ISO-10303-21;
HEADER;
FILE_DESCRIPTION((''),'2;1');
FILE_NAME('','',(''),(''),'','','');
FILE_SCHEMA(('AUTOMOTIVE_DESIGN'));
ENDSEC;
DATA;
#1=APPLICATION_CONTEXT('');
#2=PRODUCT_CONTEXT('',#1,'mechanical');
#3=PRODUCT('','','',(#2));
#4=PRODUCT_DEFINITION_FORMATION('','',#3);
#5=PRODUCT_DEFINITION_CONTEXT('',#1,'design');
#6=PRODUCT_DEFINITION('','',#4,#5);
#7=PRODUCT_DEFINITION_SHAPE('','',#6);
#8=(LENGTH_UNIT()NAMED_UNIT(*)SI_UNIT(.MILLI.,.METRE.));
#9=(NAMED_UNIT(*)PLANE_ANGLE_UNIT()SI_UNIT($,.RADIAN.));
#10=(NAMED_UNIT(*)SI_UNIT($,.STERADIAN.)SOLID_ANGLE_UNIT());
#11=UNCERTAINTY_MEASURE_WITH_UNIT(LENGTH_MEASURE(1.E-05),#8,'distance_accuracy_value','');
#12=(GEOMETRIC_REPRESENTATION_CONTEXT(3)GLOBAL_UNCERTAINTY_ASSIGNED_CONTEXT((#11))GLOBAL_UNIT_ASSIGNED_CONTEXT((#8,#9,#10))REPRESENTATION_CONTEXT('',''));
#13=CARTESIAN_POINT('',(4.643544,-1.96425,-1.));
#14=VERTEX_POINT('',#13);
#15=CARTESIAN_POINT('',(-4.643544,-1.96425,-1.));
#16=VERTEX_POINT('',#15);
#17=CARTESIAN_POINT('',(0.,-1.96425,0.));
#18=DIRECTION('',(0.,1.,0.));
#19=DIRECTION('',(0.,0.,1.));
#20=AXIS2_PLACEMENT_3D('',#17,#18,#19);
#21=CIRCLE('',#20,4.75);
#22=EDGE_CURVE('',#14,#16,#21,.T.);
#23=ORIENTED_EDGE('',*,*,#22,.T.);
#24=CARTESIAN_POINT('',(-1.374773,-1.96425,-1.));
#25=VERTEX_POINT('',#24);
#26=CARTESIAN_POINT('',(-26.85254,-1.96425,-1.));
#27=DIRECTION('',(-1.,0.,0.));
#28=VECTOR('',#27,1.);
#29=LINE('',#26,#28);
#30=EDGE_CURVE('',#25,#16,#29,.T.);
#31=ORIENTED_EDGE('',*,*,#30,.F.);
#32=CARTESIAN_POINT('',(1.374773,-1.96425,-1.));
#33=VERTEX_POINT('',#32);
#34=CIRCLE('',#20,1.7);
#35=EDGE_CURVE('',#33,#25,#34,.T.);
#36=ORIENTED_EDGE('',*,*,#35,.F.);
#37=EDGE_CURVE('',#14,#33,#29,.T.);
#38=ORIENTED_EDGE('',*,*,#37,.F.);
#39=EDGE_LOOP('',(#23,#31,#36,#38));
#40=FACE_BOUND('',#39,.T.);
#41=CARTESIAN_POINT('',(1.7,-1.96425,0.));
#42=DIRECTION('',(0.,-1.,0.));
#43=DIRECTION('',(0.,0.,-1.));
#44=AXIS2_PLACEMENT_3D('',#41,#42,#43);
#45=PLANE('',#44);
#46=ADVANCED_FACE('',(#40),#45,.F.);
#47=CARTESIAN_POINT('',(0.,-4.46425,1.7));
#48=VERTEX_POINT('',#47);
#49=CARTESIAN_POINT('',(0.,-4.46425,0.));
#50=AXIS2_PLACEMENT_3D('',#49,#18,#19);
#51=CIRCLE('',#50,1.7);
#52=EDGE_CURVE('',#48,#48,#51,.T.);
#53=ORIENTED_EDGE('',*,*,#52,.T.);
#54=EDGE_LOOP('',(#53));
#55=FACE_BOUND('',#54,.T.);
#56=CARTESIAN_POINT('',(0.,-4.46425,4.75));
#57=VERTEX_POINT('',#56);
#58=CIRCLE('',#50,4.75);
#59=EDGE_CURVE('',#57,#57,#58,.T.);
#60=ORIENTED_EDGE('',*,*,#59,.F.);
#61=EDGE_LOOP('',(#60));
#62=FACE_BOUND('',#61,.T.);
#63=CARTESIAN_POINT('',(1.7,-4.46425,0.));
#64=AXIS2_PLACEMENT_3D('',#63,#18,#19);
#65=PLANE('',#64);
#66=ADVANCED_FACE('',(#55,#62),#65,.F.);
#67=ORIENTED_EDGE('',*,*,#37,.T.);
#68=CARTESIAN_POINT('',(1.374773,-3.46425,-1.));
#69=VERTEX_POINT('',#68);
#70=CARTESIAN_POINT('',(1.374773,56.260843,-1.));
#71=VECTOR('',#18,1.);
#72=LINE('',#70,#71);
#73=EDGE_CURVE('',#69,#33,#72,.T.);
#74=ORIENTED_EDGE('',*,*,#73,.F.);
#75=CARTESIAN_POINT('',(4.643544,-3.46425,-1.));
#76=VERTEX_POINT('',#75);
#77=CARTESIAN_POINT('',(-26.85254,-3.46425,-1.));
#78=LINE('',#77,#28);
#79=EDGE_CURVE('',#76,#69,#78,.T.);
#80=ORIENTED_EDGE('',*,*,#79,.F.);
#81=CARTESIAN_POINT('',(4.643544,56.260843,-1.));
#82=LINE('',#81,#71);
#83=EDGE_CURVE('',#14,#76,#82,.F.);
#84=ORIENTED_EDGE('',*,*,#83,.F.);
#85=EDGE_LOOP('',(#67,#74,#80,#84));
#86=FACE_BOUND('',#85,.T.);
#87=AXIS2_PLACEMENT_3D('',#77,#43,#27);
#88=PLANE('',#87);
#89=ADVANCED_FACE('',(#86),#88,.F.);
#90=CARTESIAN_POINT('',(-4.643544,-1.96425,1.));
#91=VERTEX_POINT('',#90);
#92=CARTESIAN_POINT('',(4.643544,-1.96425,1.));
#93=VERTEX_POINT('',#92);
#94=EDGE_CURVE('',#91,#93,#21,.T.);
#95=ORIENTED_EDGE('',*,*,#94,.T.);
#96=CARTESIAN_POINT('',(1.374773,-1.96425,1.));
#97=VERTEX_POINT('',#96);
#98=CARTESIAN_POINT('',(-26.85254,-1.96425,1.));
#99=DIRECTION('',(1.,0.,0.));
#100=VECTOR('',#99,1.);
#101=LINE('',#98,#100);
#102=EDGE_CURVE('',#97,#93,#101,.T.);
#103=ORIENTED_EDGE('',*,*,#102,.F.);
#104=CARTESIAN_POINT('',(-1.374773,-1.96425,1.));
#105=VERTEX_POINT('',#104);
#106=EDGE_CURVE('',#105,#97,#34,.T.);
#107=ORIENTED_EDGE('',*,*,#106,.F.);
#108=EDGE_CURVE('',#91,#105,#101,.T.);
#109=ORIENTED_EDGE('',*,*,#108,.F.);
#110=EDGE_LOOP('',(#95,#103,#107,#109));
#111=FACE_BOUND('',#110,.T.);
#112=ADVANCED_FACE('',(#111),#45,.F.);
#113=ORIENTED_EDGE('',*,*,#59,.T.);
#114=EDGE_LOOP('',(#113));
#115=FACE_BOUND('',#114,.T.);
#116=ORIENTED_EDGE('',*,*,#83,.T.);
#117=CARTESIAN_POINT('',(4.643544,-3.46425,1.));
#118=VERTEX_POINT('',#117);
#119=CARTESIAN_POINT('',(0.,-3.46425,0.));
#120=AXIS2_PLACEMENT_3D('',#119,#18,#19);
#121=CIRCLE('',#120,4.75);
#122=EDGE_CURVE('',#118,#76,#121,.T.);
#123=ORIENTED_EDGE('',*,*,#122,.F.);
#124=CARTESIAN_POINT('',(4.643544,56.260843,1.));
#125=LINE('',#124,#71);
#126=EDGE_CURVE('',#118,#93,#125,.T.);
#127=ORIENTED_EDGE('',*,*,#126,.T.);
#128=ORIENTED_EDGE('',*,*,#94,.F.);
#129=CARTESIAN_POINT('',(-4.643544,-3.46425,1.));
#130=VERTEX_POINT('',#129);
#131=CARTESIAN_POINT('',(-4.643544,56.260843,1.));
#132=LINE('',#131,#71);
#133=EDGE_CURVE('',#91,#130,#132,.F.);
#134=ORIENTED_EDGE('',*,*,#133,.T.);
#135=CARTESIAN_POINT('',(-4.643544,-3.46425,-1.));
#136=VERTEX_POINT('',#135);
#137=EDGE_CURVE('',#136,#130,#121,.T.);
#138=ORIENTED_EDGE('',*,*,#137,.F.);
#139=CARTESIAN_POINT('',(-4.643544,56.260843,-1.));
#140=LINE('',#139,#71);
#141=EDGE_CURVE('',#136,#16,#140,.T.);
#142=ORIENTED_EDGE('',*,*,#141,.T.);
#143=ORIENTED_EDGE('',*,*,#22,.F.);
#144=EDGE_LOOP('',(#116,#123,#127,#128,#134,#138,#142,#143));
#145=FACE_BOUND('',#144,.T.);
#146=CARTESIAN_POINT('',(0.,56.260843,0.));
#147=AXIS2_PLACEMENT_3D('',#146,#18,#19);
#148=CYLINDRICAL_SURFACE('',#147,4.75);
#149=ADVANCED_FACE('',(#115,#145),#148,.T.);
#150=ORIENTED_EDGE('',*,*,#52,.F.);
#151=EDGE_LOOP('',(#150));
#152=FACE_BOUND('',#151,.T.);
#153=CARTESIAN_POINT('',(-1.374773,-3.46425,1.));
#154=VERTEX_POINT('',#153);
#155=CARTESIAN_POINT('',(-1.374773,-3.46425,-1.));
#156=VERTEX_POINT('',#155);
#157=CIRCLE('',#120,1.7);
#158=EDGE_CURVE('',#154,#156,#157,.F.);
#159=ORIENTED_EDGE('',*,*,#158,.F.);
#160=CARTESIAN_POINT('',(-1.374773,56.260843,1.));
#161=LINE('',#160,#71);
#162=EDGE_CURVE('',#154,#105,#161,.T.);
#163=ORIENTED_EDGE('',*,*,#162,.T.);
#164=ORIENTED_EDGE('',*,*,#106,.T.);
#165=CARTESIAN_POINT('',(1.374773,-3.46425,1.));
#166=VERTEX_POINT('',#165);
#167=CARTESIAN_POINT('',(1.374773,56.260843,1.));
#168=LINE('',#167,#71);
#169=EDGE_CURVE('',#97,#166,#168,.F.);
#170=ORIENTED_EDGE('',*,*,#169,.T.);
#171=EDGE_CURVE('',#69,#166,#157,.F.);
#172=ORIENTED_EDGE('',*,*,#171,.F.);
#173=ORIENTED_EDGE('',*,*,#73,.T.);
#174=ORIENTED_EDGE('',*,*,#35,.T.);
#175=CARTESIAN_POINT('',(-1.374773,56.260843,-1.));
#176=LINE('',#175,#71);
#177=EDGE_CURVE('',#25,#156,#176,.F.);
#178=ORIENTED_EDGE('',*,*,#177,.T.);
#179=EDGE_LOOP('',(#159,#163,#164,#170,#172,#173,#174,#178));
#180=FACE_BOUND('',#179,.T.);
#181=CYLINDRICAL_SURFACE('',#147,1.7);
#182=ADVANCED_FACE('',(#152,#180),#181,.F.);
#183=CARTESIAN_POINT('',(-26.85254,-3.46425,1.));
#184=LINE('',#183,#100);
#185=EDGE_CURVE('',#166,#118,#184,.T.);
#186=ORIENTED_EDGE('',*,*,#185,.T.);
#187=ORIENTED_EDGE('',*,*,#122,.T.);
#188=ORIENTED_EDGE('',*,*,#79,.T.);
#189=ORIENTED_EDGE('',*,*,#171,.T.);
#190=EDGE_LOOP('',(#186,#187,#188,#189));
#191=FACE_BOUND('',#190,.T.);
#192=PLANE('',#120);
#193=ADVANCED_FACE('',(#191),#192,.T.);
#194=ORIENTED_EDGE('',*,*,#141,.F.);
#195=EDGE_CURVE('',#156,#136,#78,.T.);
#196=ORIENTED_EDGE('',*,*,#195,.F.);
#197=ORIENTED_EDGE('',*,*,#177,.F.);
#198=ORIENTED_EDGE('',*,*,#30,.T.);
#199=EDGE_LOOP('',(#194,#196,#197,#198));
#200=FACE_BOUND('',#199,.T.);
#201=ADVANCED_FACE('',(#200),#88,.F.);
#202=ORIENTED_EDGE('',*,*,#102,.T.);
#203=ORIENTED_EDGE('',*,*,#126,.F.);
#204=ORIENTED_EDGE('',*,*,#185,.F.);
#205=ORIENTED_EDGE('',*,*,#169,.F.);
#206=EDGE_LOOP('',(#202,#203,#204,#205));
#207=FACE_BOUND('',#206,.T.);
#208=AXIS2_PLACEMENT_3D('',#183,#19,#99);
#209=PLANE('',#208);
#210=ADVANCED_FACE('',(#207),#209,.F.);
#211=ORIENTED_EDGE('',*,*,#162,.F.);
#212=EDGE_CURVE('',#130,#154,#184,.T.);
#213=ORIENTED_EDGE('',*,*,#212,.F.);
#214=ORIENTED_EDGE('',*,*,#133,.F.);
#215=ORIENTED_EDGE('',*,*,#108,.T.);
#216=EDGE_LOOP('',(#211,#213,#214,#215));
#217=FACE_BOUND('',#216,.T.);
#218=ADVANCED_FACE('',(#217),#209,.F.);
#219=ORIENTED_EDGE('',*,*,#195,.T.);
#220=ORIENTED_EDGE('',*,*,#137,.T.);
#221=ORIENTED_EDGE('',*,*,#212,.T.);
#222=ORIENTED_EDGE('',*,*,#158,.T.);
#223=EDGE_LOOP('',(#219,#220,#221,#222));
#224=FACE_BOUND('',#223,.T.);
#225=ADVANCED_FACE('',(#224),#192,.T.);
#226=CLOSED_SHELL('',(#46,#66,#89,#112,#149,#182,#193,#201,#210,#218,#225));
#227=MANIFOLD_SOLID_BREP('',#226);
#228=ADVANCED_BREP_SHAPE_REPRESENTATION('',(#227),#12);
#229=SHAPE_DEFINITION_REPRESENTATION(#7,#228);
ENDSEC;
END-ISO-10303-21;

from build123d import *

# Parameters (mm, degrees)
SKETCH_1_W          = 3.05
SKETCH_1_H          = 2.5
SKETCH_2_W          = 53.705080546
SKETCH_2_H          = 2
CUT_EXTRUDE_1_DEPTH = 1.5


with BuildPart() as part:
    # 草图1 → 旋转1 (revolve)
    with BuildSketch(Plane.XY, mode=Mode.PRIVATE) as revolve_1_sk:
        with Locations((3.225, -3.214249787)):
            Rectangle(SKETCH_1_W, SKETCH_1_H)
    revolve(revolve_1_sk.sketch.rotate(Axis((0, 56.260842627, 0), (0, -1, 0)), 90), axis=Axis((0, 56.260842627, 0), (0, -1, 0)))  # turned: the seam where the file's is

    # 草图2 → 切除-拉伸1 (cut)
    with BuildSketch(Plane(origin=(0, -1.964249787, 0), x_dir=(1, 0, 0), z_dir=(0, 1, 0))):
        Rectangle(SKETCH_2_W, SKETCH_2_H)
    extrude(amount=-CUT_EXTRUDE_1_DEPTH, mode=Mode.SUBTRACT)


solid = part.part
